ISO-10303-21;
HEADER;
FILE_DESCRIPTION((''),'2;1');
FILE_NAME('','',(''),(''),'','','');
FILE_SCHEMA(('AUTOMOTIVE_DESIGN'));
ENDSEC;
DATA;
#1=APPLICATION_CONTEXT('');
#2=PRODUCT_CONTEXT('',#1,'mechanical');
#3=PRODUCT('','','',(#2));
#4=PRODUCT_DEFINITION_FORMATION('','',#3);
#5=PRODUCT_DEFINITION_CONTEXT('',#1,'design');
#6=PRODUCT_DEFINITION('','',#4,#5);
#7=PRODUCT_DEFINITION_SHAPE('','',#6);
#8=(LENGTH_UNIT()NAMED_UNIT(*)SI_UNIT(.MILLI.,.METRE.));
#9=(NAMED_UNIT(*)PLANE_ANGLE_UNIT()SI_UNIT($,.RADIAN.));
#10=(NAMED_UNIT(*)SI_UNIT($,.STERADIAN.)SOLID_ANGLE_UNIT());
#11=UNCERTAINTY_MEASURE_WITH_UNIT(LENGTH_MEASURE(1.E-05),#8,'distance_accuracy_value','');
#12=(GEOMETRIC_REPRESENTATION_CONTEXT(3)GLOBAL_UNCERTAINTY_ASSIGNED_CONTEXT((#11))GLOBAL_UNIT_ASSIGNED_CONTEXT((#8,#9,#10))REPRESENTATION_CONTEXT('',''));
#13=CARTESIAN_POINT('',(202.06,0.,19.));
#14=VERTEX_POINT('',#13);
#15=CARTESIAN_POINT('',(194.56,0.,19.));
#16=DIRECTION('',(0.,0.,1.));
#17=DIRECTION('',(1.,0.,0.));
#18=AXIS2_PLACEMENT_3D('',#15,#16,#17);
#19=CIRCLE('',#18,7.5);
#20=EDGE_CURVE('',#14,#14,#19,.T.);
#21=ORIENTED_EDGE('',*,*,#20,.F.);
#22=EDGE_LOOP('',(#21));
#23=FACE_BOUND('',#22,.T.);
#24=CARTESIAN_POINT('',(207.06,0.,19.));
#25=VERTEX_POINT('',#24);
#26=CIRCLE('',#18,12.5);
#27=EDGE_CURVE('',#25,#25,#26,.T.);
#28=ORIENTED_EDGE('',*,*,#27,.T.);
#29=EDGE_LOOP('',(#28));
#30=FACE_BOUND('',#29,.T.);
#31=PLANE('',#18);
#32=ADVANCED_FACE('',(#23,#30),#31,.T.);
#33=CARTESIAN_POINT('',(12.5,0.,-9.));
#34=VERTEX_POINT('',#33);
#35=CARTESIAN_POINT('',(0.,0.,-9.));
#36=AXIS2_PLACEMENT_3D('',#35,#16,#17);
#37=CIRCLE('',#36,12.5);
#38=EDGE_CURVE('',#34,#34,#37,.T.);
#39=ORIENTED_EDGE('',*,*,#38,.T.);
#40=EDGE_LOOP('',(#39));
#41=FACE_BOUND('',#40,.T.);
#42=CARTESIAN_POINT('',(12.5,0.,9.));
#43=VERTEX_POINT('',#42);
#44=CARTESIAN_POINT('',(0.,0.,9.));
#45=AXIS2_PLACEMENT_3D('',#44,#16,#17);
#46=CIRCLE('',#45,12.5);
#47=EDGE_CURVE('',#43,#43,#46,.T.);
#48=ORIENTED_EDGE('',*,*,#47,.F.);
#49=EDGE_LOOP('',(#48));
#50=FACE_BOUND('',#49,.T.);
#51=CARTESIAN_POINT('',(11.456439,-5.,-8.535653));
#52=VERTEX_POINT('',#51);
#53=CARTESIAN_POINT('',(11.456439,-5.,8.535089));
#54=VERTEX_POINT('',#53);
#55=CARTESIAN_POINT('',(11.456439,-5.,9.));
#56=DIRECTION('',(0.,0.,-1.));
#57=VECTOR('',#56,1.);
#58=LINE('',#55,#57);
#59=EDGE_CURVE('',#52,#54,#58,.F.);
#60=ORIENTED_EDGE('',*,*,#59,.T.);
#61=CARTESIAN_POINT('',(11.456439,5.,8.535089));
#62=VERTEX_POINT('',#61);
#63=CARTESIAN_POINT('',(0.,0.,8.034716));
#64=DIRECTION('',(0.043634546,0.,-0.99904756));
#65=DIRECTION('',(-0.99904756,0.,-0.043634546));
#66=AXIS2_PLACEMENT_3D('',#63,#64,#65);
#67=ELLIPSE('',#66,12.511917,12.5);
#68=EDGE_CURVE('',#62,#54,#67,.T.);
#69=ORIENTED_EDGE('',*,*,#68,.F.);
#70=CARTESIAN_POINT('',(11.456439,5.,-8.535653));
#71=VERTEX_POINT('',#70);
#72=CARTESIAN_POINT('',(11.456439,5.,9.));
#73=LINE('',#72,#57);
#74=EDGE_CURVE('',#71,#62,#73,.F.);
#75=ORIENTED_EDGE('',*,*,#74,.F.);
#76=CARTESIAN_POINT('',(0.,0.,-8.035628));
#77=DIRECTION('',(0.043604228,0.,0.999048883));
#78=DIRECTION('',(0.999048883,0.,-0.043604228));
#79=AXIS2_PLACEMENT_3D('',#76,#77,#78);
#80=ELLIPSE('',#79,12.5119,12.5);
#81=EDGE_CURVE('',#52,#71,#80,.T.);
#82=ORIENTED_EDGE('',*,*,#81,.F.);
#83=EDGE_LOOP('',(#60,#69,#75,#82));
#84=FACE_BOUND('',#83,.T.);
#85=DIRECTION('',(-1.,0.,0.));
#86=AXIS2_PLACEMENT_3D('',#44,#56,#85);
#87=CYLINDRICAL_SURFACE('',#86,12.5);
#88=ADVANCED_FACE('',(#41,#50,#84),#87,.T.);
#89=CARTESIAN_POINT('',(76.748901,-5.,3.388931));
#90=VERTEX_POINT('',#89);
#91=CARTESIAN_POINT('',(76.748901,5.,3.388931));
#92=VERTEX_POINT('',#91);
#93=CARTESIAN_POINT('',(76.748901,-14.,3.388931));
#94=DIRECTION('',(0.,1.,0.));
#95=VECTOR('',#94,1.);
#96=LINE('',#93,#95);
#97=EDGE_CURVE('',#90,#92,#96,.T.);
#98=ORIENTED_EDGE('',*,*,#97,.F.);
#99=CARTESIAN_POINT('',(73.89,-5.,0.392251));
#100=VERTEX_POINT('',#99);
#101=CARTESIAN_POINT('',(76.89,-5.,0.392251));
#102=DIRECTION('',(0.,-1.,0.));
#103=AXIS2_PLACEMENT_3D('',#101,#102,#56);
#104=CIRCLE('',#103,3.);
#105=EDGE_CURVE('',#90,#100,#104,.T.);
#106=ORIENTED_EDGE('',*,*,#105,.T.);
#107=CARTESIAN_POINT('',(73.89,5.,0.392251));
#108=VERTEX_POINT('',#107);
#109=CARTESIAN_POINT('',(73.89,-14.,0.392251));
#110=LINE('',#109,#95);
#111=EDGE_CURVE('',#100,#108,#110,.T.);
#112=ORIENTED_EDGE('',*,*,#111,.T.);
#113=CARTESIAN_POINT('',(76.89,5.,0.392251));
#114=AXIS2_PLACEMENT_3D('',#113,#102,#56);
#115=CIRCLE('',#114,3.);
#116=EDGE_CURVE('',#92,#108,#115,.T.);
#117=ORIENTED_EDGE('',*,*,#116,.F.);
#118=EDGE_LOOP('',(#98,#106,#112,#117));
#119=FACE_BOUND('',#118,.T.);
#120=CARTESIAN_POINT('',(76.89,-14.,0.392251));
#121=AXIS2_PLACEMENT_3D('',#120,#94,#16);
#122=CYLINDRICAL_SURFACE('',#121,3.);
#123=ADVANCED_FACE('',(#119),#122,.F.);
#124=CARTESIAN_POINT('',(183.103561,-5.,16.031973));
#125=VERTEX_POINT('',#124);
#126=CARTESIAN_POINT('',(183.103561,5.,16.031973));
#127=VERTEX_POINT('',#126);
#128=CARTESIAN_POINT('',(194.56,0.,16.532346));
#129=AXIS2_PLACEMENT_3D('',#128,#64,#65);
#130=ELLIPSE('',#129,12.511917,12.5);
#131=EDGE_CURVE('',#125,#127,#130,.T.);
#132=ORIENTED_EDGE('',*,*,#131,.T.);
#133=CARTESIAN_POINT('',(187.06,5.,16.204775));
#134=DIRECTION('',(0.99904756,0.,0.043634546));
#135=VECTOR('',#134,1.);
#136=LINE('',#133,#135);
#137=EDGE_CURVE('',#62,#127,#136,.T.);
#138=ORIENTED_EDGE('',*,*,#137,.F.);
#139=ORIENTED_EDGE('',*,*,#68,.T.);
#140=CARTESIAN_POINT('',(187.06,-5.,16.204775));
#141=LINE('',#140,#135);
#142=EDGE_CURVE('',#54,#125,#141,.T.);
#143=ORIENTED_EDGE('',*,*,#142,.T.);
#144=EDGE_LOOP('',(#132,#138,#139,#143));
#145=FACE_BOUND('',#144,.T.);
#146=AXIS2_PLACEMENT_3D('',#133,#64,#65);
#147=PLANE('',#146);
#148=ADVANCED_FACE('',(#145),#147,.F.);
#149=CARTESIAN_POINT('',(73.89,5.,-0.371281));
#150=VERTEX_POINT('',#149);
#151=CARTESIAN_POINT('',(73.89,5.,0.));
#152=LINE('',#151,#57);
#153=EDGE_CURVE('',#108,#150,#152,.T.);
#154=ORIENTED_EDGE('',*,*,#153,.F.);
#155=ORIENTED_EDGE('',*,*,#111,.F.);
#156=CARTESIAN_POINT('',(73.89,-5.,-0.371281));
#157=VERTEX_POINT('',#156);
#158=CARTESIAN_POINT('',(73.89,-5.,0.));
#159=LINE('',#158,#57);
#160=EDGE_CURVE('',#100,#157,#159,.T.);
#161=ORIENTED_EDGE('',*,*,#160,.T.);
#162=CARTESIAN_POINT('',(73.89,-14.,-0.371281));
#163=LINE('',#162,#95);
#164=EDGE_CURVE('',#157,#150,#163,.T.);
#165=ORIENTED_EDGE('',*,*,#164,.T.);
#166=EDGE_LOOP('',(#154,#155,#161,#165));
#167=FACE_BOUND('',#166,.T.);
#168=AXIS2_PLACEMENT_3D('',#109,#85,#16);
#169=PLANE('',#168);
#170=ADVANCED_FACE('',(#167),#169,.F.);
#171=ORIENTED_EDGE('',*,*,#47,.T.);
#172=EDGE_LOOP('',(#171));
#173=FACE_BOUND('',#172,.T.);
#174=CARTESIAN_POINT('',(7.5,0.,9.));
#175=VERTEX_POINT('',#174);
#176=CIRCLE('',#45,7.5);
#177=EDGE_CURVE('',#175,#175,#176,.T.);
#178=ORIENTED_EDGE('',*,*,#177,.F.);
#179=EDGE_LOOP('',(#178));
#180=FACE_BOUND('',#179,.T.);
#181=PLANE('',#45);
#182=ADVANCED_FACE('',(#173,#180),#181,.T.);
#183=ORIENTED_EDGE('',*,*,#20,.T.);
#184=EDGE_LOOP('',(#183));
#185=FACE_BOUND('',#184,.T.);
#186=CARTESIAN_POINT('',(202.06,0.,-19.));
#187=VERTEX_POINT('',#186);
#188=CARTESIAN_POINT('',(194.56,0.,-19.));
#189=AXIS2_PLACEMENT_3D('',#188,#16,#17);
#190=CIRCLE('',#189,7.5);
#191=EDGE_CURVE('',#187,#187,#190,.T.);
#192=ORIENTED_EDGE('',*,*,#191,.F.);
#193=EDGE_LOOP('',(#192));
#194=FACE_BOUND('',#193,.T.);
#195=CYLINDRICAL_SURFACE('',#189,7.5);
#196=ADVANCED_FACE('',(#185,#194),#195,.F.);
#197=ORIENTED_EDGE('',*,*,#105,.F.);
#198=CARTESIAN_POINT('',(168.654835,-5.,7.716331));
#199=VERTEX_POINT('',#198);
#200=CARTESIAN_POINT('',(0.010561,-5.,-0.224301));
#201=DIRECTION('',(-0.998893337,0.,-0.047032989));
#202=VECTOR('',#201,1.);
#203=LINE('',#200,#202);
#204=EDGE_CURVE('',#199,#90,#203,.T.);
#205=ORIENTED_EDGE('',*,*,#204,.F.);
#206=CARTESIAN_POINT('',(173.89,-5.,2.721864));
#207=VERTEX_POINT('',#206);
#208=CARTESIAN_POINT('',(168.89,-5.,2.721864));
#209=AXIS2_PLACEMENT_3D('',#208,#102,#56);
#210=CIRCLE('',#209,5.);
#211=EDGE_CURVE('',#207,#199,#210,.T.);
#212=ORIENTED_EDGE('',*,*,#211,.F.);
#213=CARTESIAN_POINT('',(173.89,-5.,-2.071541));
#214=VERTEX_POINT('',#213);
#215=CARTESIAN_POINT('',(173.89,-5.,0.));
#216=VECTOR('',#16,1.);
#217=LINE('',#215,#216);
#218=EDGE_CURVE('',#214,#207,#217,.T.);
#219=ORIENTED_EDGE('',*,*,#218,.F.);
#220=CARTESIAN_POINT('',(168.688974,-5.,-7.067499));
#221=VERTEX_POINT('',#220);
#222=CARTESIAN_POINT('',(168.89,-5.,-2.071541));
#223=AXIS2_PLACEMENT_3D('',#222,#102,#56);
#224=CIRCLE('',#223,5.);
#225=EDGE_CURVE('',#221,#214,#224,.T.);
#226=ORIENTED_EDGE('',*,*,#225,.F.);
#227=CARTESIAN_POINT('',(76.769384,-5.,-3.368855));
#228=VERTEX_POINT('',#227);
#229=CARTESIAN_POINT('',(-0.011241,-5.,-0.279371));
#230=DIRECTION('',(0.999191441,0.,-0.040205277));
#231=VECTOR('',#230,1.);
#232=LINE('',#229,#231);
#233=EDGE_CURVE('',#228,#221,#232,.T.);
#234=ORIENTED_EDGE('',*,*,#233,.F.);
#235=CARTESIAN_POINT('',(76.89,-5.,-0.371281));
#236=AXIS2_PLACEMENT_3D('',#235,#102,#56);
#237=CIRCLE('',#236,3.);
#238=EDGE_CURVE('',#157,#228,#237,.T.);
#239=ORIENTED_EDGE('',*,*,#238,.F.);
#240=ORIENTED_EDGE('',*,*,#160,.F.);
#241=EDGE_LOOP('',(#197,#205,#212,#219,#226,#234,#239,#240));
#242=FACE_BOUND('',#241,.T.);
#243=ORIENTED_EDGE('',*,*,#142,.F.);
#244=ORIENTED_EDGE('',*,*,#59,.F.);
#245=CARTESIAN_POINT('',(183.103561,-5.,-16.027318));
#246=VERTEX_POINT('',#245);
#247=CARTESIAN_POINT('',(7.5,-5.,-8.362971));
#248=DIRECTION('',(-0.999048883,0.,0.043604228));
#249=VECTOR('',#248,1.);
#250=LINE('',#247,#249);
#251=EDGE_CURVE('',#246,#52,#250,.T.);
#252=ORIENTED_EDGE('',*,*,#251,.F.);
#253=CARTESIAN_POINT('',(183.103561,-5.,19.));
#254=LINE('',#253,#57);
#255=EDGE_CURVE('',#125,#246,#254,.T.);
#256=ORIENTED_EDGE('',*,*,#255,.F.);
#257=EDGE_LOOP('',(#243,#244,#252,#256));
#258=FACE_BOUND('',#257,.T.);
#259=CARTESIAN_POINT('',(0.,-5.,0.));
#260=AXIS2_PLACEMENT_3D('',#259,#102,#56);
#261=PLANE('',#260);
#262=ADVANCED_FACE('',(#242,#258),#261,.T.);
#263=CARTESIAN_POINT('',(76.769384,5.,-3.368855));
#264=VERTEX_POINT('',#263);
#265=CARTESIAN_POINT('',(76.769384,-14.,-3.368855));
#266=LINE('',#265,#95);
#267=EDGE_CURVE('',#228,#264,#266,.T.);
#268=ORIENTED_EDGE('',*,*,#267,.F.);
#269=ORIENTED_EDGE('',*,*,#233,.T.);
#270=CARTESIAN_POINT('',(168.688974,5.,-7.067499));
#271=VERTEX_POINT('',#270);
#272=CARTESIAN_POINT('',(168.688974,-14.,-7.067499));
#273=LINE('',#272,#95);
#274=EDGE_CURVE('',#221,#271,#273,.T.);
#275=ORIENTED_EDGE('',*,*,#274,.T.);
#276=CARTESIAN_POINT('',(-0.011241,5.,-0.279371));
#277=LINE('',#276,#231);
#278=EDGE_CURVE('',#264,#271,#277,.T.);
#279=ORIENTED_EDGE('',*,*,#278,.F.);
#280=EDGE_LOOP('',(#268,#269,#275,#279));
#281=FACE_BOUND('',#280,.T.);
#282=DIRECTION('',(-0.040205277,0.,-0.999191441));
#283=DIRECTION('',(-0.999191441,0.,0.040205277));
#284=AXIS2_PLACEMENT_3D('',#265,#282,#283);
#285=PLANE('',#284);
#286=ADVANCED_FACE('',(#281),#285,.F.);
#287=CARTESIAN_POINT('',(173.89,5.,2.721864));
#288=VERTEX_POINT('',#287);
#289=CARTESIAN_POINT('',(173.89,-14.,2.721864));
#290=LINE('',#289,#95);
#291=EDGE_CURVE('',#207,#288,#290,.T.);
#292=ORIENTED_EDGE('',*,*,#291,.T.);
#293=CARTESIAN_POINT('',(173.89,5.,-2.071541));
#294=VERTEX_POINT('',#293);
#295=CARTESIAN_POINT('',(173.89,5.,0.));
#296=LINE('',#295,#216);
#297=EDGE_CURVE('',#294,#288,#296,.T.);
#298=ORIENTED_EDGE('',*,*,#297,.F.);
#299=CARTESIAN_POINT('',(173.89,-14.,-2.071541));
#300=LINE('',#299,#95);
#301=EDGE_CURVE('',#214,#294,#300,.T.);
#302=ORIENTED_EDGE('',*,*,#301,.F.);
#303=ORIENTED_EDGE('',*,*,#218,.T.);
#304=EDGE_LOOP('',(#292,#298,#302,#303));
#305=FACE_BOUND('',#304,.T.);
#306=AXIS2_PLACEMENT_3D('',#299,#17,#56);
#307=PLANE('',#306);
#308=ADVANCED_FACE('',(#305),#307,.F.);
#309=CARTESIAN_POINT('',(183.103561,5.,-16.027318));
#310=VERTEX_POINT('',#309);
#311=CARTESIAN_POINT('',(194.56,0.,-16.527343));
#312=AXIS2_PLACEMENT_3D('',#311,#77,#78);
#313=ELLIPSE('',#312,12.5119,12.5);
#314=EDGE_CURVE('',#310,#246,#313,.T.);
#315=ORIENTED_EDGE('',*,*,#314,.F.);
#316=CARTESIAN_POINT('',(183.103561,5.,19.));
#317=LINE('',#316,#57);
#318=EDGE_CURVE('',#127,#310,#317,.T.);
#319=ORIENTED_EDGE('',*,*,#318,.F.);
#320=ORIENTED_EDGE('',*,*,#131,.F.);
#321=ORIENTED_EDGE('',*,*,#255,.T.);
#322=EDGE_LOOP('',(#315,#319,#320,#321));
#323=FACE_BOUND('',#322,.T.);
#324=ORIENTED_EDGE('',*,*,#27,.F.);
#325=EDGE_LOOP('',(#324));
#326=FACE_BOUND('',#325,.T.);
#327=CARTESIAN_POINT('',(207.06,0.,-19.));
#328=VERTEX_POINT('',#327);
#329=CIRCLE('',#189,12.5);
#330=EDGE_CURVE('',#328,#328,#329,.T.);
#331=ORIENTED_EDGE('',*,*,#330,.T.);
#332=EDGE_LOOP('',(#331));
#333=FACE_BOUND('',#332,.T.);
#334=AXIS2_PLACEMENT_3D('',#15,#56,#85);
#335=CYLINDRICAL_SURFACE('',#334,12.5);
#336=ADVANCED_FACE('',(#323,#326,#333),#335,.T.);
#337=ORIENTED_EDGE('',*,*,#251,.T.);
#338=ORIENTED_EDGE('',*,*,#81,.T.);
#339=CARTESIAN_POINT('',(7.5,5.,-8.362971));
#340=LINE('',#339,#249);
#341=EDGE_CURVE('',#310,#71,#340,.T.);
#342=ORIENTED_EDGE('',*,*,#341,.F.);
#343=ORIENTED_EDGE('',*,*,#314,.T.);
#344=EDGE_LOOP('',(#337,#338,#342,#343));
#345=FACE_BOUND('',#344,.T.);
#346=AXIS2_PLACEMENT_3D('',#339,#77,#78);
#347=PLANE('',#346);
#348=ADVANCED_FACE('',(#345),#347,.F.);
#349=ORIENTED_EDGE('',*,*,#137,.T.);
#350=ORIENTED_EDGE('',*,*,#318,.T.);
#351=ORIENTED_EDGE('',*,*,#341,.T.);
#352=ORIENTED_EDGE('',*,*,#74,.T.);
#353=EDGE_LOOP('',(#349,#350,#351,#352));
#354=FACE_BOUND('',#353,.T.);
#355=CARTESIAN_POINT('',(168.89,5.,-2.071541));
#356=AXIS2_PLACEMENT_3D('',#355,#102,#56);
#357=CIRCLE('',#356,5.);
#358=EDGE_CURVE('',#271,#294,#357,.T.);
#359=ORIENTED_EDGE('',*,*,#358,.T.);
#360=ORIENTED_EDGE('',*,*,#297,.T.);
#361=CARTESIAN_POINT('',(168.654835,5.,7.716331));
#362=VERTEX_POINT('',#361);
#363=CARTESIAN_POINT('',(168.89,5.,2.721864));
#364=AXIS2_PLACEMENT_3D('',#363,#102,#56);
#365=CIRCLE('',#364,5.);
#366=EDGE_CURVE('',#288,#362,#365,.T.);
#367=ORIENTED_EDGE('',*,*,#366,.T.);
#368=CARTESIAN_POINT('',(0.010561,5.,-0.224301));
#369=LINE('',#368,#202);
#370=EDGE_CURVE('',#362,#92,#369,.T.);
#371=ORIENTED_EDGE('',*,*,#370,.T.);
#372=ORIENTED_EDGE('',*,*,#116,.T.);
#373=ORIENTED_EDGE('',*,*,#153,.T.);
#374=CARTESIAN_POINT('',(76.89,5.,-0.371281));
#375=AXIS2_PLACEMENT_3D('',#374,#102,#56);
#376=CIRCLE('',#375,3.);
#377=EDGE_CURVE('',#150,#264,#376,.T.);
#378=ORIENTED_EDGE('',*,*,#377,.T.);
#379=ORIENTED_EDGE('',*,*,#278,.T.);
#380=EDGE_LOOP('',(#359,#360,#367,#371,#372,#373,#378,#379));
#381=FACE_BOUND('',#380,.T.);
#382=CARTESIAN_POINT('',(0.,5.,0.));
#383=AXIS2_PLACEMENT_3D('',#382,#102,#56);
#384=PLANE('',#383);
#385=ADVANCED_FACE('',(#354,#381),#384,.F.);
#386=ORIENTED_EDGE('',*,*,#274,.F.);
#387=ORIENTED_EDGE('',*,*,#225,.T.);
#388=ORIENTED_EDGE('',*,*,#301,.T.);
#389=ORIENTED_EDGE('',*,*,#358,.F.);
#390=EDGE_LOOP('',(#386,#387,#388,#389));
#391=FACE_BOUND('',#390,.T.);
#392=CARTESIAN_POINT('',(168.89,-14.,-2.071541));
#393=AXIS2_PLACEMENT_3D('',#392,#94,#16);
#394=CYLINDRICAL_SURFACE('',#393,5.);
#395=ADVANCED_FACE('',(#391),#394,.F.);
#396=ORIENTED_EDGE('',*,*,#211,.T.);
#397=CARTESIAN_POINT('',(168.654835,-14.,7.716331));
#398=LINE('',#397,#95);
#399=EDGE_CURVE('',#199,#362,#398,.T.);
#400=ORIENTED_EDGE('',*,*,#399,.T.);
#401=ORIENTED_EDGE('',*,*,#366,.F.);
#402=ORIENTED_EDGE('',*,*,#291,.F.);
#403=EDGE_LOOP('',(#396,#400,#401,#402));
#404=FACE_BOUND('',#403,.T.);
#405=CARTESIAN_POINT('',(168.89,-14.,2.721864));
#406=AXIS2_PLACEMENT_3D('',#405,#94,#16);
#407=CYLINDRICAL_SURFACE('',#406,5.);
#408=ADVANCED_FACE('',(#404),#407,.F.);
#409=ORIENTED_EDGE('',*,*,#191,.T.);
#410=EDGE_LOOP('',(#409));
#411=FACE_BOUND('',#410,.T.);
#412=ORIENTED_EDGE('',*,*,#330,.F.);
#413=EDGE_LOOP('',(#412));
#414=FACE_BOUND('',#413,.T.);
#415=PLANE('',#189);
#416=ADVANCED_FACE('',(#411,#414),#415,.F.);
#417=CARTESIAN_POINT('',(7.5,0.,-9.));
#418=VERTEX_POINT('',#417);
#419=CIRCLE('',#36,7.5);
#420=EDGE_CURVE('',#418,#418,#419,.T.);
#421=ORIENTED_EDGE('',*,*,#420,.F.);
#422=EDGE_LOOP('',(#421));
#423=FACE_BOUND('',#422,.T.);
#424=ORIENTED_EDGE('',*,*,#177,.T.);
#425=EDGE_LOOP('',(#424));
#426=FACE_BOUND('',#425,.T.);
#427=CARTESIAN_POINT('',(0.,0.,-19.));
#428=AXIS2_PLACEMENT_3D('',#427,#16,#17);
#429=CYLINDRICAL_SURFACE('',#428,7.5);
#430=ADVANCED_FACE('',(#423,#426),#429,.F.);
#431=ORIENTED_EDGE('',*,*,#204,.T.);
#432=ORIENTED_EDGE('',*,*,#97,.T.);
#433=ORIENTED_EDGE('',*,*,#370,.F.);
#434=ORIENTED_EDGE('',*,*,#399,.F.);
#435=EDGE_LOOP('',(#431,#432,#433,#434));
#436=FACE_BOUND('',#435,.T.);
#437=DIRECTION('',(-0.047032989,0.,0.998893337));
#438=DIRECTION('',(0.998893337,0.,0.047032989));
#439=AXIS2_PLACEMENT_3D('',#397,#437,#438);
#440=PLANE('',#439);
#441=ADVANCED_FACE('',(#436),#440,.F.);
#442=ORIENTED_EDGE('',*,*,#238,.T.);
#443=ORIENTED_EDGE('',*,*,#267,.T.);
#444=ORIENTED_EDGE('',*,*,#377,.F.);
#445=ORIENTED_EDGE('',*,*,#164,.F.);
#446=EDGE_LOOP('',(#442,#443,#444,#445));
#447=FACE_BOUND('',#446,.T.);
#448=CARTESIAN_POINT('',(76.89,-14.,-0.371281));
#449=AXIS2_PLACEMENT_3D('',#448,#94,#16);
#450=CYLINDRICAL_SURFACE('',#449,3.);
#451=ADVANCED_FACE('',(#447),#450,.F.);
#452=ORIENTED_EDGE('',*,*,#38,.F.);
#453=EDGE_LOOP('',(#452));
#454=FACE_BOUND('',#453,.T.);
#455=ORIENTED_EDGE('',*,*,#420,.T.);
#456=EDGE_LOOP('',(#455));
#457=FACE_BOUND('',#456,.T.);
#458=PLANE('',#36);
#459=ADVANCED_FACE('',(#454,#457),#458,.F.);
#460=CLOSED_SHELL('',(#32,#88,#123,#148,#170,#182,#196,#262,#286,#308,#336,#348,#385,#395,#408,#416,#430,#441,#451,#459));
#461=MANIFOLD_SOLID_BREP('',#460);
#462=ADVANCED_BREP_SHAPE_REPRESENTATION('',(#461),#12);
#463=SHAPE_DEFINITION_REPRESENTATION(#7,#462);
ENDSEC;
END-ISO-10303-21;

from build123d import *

# Parameters (mm, degrees)
SKETCH1_R           = 7.5
BOSS_EXTRUDE1_DEPTH = 9
SKETCH2_R           = 7.5
BOSS_EXTRUDE2_DEPTH = 19
BOSS_EXTRUDE3_DEPTH = 5
SKETCH4_R           = 12.5
BOSS_EXTRUDE4_DEPTH = 9
SKETCH6_R           = 12.5
BOSS_EXTRUDE5_DEPTH = 19
SKETCH7_R           = 7.5
CUT_EXTRUDE1_DEPTH  = 19
CUT_EXTRUDE2_DEPTH  = 19


with BuildPart() as part:
    # Sketch1 → Boss-Extrude1 (new body, symmetric)
    with BuildSketch(Plane.XY):
        Circle(SKETCH1_R)
    extrude(amount=BOSS_EXTRUDE1_DEPTH, both=True)



with BuildPart() as body_2:
    # Sketch2 → Boss-Extrude2 (new body, symmetric)
    with BuildSketch(Plane.XY):
        with Locations((194.56, 0)):
            Circle(SKETCH2_R)
    extrude(amount=BOSS_EXTRUDE2_DEPTH, both=True)


with BuildPart() as body_3:
    # Sketch3 → Boss-Extrude3 (new body, symmetric)
    with BuildSketch(Plane(origin=(0, 0, 0), x_dir=(1, 0, 0), z_dir=(0, 1, 0))):
        Polygon((7.5, 8.362970839), (187.06, 16.2), (187.06, -16.20477539), (7.5, -8.362286729), align=None)
    extrude(amount=BOSS_EXTRUDE3_DEPTH, both=True)


with BuildPart() as part_1:
    add(part.part)

    add(body_3.part)  # Boss-Extrude4 merges body 3
    # Sketch4 → Boss-Extrude4 (add, symmetric)
    with BuildSketch(Plane.XY):
        Circle(SKETCH4_R)
    extrude(amount=BOSS_EXTRUDE4_DEPTH, both=True)


    add(body_2.part)  # Boss-Extrude5 merges body 2
    # Sketch6 → Boss-Extrude5 (add, symmetric)
    with BuildSketch(Plane.XY):
        with Locations((194.56, 0)):
            Circle(SKETCH6_R)
    extrude(amount=BOSS_EXTRUDE5_DEPTH, both=True)

    # Sketch7 → Cut-Extrude1 (cut, symmetric)
    with BuildSketch(Plane.XY):
        Circle(SKETCH7_R)
        with Locations((194.56, 0)):
            Circle(SKETCH7_R)
    extrude(amount=CUT_EXTRUDE1_DEPTH, both=True, mode=Mode.SUBTRACT)

    # Sketch8 → Cut-Extrude2 (cut, symmetric)
    with BuildSketch(Plane(origin=(0, 5, 0), x_dir=(1, 0, 0), z_dir=(0, 1, 0))):
        with BuildLine():
            Line((76.769384169, 3.36885549), (168.688973616, 7.067498603))
            ThreePointArc((168.688973616, 7.067498603), (172.353731231, 5.677448491), (173.89, 2.071541398))
            Line((173.89, 2.071541398), (173.89, -2.721863896))
            ThreePointArc((173.89, -2.721863896), (172.341389234, -6.33958588), (168.654835057, -7.716330579))
            Line((168.654835057, -7.716330579), (76.748901034, -3.388930862))
            ThreePointArc((76.748901034, -3.388930862), (74.719366809, -2.463084392), (73.89, -0.392250852))
            Line((73.89, -0.392250852), (73.89, 0.371281167))
            ThreePointArc((73.89, 0.371281167), (74.726455744, 2.449519905), (76.769384169, 3.36885549))
        make_face()
    extrude(amount=CUT_EXTRUDE2_DEPTH, both=True, mode=Mode.SUBTRACT)


solid = part_1.part
